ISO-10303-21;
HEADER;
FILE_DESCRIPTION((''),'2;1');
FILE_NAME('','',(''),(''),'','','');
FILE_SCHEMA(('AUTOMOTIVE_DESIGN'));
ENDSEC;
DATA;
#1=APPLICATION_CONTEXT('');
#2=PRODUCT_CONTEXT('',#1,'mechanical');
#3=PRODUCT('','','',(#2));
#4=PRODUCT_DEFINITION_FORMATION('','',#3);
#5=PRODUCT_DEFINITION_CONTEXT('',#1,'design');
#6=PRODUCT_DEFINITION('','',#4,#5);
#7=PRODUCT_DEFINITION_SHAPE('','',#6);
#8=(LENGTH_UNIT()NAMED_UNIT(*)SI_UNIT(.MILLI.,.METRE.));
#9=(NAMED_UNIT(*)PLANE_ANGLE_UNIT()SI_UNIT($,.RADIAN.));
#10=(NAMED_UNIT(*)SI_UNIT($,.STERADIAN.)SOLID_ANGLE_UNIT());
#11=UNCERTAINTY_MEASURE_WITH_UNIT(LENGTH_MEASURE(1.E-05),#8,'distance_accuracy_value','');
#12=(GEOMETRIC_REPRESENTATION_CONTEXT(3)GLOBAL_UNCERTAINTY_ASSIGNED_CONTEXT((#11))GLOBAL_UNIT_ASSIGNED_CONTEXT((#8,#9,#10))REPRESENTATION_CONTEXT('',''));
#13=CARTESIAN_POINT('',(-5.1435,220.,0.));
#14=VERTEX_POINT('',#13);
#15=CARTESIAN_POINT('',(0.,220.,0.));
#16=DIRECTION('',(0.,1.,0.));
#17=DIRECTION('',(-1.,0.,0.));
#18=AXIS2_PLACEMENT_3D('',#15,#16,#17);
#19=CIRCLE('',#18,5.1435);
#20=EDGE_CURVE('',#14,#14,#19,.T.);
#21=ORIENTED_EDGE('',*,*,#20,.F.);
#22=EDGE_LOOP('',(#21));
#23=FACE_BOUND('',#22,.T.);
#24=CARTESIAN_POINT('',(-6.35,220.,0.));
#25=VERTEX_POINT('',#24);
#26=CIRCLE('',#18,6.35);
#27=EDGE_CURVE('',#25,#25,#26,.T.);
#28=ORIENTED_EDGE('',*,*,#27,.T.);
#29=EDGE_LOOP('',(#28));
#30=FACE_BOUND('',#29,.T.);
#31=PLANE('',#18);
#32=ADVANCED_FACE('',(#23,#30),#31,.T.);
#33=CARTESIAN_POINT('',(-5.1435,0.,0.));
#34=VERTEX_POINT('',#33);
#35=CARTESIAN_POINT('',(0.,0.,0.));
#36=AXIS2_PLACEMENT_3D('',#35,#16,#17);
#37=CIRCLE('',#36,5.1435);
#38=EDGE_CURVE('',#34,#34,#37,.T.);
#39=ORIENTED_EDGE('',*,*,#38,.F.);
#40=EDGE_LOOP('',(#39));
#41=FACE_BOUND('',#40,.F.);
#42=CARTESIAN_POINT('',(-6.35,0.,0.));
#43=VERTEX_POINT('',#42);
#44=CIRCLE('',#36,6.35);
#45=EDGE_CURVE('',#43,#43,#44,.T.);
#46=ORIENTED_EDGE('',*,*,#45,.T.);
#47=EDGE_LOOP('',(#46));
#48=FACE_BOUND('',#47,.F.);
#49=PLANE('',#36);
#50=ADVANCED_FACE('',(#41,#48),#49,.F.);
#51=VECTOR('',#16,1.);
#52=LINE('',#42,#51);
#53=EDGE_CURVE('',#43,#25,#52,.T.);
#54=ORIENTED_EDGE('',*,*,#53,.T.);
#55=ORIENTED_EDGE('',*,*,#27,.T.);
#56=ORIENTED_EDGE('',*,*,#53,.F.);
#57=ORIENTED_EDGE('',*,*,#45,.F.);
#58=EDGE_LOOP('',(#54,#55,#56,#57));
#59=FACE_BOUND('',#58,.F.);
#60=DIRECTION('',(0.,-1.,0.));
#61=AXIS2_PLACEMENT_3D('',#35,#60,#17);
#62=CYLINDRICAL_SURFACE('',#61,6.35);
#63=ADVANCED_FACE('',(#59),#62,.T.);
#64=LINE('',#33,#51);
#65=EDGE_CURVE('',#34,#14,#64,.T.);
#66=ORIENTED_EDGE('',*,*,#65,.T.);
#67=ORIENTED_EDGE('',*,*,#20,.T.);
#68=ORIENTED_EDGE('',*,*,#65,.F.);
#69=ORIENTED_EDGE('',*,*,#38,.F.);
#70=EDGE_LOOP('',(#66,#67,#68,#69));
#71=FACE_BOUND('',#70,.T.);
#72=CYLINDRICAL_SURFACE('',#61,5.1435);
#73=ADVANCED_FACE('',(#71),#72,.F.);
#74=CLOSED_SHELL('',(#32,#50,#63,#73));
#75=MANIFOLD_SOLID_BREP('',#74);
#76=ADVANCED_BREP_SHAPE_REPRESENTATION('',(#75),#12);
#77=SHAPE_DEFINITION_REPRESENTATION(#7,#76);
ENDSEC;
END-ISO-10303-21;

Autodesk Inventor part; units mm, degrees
ref_plane "YZ Plane" through (0, 0, 0) normal (1, 0, 0) x (0, 1, 0)
ref_plane "XZ Plane" through (0, 0, 0) normal (0, 1, 0) x (-1, 0, 0)
ref_plane "XY Plane" through (0, 0, 0) normal (0, 0, 1) x (1, 0, 0)
sketch "Sketch1" plane through (0, 0, 0) normal (0, 1, 0) x (-1, 0, 0)
  circle A0 centre (0, 0) radius 6.35
  circle A1 centre (0, 0) radius 5.1435
  dimension "d0" = 12.7
  dimension "d1" = 10.287
extrude "Extrusion1" add sketch "Sketch1" along normal blind 220
properties part number "susrod_rear"
